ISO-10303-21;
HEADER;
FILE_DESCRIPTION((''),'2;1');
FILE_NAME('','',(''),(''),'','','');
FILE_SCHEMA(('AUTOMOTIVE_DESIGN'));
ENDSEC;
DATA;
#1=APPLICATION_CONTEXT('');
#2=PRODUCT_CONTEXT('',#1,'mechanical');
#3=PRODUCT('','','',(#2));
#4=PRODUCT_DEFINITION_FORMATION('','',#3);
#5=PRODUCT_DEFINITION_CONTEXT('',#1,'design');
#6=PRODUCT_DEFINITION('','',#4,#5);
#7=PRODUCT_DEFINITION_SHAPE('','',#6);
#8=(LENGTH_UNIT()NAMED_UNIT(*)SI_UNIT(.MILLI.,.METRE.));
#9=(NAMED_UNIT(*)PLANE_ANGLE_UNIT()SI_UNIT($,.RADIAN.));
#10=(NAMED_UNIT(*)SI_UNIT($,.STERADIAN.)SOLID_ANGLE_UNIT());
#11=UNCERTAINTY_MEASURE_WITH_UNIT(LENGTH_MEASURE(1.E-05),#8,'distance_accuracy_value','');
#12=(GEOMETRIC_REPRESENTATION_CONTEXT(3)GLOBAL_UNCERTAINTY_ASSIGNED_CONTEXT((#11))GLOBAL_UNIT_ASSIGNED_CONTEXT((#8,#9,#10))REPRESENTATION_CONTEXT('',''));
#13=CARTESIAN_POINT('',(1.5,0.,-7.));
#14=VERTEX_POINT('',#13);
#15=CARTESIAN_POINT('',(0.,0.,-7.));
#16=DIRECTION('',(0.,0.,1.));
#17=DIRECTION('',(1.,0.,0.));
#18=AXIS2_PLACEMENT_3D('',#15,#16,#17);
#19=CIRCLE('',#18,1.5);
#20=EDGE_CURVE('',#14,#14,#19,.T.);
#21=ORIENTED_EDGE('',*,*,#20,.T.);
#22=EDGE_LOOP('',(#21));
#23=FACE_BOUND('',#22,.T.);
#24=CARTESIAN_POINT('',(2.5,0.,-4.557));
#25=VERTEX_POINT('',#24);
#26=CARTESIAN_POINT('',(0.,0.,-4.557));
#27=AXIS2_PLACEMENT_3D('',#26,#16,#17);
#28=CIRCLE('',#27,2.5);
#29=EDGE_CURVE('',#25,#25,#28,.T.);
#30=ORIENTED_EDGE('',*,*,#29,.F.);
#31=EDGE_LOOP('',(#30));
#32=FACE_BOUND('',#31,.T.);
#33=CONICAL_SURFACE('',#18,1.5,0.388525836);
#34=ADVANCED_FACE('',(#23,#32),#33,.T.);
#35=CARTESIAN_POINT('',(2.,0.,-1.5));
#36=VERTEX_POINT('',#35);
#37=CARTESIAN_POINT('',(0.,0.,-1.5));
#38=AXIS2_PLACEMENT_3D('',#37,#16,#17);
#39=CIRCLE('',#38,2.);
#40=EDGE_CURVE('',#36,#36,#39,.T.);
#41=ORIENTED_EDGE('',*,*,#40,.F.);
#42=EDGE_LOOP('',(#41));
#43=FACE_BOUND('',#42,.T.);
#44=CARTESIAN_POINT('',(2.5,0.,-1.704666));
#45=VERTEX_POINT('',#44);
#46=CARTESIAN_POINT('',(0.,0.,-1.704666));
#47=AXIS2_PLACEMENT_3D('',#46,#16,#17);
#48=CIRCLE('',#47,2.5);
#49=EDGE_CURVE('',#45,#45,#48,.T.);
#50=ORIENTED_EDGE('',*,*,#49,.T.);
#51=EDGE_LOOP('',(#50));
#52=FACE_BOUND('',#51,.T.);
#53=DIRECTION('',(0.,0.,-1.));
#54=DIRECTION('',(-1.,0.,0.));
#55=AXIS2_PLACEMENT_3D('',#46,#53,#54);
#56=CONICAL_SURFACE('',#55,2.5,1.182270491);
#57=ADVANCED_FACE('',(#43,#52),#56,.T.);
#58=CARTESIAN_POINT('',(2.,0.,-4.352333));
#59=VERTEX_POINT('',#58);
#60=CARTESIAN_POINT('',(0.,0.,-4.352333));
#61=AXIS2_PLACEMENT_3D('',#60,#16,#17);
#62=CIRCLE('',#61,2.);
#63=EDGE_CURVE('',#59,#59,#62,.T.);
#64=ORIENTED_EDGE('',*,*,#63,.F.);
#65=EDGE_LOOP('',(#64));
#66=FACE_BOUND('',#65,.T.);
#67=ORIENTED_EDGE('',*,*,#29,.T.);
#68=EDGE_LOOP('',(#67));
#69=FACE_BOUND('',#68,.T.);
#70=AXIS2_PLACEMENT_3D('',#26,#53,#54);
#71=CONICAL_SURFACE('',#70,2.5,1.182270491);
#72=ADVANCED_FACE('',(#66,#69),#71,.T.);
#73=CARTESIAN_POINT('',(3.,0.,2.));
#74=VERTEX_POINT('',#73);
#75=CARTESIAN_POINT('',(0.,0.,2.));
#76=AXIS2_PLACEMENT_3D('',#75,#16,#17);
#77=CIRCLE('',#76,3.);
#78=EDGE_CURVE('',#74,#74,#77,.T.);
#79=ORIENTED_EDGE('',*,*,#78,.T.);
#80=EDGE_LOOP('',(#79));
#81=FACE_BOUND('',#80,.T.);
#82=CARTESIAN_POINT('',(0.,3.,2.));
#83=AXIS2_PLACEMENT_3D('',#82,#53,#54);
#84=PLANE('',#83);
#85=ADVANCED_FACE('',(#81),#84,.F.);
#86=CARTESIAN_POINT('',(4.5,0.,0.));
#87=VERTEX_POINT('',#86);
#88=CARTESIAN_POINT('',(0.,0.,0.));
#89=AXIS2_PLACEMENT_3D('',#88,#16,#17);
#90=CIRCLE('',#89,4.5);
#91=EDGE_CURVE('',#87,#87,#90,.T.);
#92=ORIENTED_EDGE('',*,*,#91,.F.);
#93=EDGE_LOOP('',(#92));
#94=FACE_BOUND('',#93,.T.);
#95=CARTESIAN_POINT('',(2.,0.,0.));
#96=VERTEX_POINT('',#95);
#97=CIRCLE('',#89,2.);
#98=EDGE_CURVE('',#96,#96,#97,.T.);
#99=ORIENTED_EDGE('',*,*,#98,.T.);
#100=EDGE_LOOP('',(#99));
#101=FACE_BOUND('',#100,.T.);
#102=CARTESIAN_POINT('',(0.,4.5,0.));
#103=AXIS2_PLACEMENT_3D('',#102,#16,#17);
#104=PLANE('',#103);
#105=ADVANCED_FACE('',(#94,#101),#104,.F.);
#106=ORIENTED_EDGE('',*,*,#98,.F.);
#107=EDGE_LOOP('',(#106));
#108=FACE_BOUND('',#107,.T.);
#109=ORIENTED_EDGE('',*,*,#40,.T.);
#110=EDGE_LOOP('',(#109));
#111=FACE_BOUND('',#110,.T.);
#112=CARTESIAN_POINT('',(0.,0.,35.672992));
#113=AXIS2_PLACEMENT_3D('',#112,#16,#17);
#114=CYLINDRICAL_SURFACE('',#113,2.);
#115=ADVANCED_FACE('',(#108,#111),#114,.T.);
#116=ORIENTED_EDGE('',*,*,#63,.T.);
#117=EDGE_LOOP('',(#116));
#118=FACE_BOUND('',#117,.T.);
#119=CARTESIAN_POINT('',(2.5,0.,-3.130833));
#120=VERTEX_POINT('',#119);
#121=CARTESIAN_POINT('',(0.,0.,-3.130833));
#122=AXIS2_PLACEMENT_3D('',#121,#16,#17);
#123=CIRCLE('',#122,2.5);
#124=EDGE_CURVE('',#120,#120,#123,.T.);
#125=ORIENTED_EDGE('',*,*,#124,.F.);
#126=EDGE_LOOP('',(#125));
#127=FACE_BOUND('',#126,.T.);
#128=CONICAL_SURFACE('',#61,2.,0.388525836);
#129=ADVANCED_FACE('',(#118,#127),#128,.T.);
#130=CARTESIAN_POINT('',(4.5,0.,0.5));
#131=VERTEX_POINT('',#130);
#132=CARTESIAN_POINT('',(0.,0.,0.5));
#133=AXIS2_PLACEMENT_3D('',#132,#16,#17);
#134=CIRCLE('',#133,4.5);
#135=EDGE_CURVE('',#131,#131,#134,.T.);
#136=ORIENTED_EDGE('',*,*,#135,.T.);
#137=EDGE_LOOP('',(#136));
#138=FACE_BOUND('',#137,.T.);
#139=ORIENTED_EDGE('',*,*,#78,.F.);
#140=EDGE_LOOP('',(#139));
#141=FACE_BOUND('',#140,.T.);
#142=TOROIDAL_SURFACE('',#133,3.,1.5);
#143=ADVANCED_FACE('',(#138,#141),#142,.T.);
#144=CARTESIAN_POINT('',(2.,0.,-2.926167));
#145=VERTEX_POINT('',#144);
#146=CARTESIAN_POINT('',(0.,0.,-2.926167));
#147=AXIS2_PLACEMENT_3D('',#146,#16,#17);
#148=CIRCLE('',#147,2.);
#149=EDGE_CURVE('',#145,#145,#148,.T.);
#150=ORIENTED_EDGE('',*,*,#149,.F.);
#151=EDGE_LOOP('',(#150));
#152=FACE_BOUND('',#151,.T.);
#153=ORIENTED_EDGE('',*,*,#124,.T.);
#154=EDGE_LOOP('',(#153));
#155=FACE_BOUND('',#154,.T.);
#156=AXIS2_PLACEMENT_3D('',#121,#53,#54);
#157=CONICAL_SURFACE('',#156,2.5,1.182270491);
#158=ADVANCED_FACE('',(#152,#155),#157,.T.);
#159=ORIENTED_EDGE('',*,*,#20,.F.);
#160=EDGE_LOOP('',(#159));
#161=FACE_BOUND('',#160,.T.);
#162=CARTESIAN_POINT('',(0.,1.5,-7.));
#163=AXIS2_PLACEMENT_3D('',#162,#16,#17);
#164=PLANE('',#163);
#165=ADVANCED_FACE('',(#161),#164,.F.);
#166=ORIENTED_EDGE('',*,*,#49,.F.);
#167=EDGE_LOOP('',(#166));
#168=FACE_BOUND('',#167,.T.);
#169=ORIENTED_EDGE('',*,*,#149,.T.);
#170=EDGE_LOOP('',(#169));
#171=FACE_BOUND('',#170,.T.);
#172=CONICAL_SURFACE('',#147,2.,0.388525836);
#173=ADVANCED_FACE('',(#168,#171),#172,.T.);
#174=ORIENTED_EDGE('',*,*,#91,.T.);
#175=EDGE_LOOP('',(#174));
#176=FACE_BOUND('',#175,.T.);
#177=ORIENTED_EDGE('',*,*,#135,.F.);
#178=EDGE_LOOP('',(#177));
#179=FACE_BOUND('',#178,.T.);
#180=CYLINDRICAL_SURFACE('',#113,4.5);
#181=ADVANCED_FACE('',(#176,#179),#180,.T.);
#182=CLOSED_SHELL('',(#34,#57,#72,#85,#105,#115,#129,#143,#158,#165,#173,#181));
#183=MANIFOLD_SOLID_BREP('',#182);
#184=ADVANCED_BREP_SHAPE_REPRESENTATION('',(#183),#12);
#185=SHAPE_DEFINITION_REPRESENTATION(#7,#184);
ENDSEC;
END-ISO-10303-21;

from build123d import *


with BuildPart() as part:
    # 草图1 → 旋转1 (revolve)
    with BuildSketch(Plane(origin=(0, 0, 0), x_dir=(0, 0, -1), z_dir=(1, 0, 0)), mode=Mode.PRIVATE) as revolve_1_sk:
        with BuildLine():
            Line((0, 4.5), (-0.5, 4.5))
            ThreePointArc((-0.5, 4.5), (-1.560660172, 4.060660172), (-2, 3))
            Line((-2, 3), (-2, 0))
            Line((-2, 0), (7, 0))
            Line((7, 0), (7, 1.5))
            Line((7, 1.5), (4.556999532, 2.5))
            Line((4.556999532, 2.5), (4.352333177, 2))
            Line((4.352333177, 2), (3.130832943, 2.5))
            Line((3.130832943, 2.5), (2.926166589, 2))
            Line((2.926166589, 2), (1.704666355, 2.5))
            Line((1.704666355, 2.5), (1.5, 2))
            Line((1.5, 2), (0, 2))
            Line((0, 2), (0, 4.5))
        make_face()
    revolve(revolve_1_sk.sketch.rotate(Axis((0, 0, 35.672992327), (0, 0, -1)), 90), axis=Axis((0, 0, 35.672992327), (0, 0, -1)))


solid = part.part
